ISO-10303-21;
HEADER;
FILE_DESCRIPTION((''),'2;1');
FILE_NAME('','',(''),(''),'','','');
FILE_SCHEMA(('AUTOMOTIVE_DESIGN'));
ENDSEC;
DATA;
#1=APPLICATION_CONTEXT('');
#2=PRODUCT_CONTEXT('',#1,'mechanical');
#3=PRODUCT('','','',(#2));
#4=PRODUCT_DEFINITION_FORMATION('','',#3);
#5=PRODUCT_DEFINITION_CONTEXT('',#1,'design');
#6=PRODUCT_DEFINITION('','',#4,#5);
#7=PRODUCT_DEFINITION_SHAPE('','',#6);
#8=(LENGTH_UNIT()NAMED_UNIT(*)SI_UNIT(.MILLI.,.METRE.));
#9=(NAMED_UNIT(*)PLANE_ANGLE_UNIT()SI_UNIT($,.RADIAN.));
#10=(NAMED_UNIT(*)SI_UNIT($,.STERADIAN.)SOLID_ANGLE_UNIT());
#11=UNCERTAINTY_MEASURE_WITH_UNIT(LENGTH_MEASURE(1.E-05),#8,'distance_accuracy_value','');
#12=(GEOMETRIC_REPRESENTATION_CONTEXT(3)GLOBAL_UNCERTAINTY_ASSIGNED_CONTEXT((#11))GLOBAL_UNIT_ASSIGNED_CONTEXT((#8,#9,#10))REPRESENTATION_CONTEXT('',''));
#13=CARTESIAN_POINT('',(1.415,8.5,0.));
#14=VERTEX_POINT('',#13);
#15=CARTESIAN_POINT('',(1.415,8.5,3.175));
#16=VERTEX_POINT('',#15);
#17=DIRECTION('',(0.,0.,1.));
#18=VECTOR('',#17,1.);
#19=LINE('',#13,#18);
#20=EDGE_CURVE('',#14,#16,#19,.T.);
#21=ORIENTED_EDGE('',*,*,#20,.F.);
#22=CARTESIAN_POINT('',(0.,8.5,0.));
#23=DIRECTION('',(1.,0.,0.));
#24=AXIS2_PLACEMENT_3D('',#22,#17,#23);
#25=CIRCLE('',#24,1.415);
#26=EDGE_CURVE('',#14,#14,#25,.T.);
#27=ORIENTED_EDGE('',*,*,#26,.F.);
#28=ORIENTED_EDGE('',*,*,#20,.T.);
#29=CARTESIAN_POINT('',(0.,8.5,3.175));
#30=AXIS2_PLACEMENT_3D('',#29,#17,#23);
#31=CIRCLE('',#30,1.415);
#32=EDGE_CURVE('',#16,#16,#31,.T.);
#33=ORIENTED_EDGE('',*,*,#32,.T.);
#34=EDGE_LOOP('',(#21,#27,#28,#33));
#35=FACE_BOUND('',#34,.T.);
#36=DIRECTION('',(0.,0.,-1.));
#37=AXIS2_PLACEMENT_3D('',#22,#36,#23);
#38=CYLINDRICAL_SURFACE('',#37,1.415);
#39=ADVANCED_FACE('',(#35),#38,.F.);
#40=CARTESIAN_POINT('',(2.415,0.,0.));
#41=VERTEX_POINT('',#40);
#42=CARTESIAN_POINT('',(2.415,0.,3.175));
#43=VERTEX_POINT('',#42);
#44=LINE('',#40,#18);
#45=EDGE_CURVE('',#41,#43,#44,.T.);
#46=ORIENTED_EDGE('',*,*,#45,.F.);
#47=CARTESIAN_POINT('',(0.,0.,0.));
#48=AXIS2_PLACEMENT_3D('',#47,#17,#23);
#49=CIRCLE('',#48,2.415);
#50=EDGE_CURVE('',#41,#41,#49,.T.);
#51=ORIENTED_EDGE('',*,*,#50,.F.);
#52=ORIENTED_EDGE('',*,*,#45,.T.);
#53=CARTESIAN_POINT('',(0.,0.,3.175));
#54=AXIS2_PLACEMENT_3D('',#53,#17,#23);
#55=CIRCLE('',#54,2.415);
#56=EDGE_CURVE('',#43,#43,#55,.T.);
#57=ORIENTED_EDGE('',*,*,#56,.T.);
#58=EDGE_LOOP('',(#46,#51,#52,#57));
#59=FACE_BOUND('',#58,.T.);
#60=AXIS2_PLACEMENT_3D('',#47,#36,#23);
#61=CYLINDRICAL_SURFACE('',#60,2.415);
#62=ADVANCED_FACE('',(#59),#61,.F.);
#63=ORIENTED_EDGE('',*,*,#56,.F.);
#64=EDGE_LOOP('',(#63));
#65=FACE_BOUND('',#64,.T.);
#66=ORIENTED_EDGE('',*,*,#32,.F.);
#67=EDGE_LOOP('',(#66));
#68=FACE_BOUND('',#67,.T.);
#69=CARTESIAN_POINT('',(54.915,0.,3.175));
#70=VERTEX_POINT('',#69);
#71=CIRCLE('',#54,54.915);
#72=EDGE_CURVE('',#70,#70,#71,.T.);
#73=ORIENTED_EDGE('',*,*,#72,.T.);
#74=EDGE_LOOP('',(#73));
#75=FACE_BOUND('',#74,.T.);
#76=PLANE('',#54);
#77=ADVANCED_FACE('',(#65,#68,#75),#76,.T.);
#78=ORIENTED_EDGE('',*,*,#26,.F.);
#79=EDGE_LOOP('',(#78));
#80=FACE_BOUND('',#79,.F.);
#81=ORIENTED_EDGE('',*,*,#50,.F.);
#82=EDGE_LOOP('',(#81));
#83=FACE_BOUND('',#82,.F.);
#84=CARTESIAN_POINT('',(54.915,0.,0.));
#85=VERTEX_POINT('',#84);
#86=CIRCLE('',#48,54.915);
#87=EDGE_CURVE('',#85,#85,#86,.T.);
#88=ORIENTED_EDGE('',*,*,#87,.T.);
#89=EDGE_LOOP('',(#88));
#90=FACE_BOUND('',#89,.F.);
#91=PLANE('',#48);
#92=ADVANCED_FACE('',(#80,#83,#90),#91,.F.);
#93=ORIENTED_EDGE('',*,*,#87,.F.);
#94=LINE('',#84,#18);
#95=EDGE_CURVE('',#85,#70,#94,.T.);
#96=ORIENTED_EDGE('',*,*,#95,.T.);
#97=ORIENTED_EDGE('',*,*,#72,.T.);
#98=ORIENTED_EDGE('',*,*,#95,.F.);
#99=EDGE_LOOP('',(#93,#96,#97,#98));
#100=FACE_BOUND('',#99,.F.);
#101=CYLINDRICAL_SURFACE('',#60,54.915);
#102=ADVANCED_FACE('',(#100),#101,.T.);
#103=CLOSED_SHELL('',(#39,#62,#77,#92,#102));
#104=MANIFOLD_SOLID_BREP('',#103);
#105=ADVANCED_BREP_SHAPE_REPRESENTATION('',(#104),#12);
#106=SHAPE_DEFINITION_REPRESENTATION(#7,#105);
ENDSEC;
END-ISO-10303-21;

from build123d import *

# Parameters (mm, degrees)
SKETCH1_R           = 54.915
SKETCH1_R_2         = 2.415
SKETCH1_R_3         = 1.415
BOSS_EXTRUDE1_DEPTH = 3.175


with BuildPart() as part:
    # Sketch1 → Boss-Extrude1 (new body)
    with BuildSketch(Plane.XY):
        Circle(SKETCH1_R)
        Circle(SKETCH1_R_2, mode=Mode.SUBTRACT)
        with Locations((0, 8.5)):
            Circle(SKETCH1_R_3, mode=Mode.SUBTRACT)
    extrude(amount=BOSS_EXTRUDE1_DEPTH)


solid = part.part
